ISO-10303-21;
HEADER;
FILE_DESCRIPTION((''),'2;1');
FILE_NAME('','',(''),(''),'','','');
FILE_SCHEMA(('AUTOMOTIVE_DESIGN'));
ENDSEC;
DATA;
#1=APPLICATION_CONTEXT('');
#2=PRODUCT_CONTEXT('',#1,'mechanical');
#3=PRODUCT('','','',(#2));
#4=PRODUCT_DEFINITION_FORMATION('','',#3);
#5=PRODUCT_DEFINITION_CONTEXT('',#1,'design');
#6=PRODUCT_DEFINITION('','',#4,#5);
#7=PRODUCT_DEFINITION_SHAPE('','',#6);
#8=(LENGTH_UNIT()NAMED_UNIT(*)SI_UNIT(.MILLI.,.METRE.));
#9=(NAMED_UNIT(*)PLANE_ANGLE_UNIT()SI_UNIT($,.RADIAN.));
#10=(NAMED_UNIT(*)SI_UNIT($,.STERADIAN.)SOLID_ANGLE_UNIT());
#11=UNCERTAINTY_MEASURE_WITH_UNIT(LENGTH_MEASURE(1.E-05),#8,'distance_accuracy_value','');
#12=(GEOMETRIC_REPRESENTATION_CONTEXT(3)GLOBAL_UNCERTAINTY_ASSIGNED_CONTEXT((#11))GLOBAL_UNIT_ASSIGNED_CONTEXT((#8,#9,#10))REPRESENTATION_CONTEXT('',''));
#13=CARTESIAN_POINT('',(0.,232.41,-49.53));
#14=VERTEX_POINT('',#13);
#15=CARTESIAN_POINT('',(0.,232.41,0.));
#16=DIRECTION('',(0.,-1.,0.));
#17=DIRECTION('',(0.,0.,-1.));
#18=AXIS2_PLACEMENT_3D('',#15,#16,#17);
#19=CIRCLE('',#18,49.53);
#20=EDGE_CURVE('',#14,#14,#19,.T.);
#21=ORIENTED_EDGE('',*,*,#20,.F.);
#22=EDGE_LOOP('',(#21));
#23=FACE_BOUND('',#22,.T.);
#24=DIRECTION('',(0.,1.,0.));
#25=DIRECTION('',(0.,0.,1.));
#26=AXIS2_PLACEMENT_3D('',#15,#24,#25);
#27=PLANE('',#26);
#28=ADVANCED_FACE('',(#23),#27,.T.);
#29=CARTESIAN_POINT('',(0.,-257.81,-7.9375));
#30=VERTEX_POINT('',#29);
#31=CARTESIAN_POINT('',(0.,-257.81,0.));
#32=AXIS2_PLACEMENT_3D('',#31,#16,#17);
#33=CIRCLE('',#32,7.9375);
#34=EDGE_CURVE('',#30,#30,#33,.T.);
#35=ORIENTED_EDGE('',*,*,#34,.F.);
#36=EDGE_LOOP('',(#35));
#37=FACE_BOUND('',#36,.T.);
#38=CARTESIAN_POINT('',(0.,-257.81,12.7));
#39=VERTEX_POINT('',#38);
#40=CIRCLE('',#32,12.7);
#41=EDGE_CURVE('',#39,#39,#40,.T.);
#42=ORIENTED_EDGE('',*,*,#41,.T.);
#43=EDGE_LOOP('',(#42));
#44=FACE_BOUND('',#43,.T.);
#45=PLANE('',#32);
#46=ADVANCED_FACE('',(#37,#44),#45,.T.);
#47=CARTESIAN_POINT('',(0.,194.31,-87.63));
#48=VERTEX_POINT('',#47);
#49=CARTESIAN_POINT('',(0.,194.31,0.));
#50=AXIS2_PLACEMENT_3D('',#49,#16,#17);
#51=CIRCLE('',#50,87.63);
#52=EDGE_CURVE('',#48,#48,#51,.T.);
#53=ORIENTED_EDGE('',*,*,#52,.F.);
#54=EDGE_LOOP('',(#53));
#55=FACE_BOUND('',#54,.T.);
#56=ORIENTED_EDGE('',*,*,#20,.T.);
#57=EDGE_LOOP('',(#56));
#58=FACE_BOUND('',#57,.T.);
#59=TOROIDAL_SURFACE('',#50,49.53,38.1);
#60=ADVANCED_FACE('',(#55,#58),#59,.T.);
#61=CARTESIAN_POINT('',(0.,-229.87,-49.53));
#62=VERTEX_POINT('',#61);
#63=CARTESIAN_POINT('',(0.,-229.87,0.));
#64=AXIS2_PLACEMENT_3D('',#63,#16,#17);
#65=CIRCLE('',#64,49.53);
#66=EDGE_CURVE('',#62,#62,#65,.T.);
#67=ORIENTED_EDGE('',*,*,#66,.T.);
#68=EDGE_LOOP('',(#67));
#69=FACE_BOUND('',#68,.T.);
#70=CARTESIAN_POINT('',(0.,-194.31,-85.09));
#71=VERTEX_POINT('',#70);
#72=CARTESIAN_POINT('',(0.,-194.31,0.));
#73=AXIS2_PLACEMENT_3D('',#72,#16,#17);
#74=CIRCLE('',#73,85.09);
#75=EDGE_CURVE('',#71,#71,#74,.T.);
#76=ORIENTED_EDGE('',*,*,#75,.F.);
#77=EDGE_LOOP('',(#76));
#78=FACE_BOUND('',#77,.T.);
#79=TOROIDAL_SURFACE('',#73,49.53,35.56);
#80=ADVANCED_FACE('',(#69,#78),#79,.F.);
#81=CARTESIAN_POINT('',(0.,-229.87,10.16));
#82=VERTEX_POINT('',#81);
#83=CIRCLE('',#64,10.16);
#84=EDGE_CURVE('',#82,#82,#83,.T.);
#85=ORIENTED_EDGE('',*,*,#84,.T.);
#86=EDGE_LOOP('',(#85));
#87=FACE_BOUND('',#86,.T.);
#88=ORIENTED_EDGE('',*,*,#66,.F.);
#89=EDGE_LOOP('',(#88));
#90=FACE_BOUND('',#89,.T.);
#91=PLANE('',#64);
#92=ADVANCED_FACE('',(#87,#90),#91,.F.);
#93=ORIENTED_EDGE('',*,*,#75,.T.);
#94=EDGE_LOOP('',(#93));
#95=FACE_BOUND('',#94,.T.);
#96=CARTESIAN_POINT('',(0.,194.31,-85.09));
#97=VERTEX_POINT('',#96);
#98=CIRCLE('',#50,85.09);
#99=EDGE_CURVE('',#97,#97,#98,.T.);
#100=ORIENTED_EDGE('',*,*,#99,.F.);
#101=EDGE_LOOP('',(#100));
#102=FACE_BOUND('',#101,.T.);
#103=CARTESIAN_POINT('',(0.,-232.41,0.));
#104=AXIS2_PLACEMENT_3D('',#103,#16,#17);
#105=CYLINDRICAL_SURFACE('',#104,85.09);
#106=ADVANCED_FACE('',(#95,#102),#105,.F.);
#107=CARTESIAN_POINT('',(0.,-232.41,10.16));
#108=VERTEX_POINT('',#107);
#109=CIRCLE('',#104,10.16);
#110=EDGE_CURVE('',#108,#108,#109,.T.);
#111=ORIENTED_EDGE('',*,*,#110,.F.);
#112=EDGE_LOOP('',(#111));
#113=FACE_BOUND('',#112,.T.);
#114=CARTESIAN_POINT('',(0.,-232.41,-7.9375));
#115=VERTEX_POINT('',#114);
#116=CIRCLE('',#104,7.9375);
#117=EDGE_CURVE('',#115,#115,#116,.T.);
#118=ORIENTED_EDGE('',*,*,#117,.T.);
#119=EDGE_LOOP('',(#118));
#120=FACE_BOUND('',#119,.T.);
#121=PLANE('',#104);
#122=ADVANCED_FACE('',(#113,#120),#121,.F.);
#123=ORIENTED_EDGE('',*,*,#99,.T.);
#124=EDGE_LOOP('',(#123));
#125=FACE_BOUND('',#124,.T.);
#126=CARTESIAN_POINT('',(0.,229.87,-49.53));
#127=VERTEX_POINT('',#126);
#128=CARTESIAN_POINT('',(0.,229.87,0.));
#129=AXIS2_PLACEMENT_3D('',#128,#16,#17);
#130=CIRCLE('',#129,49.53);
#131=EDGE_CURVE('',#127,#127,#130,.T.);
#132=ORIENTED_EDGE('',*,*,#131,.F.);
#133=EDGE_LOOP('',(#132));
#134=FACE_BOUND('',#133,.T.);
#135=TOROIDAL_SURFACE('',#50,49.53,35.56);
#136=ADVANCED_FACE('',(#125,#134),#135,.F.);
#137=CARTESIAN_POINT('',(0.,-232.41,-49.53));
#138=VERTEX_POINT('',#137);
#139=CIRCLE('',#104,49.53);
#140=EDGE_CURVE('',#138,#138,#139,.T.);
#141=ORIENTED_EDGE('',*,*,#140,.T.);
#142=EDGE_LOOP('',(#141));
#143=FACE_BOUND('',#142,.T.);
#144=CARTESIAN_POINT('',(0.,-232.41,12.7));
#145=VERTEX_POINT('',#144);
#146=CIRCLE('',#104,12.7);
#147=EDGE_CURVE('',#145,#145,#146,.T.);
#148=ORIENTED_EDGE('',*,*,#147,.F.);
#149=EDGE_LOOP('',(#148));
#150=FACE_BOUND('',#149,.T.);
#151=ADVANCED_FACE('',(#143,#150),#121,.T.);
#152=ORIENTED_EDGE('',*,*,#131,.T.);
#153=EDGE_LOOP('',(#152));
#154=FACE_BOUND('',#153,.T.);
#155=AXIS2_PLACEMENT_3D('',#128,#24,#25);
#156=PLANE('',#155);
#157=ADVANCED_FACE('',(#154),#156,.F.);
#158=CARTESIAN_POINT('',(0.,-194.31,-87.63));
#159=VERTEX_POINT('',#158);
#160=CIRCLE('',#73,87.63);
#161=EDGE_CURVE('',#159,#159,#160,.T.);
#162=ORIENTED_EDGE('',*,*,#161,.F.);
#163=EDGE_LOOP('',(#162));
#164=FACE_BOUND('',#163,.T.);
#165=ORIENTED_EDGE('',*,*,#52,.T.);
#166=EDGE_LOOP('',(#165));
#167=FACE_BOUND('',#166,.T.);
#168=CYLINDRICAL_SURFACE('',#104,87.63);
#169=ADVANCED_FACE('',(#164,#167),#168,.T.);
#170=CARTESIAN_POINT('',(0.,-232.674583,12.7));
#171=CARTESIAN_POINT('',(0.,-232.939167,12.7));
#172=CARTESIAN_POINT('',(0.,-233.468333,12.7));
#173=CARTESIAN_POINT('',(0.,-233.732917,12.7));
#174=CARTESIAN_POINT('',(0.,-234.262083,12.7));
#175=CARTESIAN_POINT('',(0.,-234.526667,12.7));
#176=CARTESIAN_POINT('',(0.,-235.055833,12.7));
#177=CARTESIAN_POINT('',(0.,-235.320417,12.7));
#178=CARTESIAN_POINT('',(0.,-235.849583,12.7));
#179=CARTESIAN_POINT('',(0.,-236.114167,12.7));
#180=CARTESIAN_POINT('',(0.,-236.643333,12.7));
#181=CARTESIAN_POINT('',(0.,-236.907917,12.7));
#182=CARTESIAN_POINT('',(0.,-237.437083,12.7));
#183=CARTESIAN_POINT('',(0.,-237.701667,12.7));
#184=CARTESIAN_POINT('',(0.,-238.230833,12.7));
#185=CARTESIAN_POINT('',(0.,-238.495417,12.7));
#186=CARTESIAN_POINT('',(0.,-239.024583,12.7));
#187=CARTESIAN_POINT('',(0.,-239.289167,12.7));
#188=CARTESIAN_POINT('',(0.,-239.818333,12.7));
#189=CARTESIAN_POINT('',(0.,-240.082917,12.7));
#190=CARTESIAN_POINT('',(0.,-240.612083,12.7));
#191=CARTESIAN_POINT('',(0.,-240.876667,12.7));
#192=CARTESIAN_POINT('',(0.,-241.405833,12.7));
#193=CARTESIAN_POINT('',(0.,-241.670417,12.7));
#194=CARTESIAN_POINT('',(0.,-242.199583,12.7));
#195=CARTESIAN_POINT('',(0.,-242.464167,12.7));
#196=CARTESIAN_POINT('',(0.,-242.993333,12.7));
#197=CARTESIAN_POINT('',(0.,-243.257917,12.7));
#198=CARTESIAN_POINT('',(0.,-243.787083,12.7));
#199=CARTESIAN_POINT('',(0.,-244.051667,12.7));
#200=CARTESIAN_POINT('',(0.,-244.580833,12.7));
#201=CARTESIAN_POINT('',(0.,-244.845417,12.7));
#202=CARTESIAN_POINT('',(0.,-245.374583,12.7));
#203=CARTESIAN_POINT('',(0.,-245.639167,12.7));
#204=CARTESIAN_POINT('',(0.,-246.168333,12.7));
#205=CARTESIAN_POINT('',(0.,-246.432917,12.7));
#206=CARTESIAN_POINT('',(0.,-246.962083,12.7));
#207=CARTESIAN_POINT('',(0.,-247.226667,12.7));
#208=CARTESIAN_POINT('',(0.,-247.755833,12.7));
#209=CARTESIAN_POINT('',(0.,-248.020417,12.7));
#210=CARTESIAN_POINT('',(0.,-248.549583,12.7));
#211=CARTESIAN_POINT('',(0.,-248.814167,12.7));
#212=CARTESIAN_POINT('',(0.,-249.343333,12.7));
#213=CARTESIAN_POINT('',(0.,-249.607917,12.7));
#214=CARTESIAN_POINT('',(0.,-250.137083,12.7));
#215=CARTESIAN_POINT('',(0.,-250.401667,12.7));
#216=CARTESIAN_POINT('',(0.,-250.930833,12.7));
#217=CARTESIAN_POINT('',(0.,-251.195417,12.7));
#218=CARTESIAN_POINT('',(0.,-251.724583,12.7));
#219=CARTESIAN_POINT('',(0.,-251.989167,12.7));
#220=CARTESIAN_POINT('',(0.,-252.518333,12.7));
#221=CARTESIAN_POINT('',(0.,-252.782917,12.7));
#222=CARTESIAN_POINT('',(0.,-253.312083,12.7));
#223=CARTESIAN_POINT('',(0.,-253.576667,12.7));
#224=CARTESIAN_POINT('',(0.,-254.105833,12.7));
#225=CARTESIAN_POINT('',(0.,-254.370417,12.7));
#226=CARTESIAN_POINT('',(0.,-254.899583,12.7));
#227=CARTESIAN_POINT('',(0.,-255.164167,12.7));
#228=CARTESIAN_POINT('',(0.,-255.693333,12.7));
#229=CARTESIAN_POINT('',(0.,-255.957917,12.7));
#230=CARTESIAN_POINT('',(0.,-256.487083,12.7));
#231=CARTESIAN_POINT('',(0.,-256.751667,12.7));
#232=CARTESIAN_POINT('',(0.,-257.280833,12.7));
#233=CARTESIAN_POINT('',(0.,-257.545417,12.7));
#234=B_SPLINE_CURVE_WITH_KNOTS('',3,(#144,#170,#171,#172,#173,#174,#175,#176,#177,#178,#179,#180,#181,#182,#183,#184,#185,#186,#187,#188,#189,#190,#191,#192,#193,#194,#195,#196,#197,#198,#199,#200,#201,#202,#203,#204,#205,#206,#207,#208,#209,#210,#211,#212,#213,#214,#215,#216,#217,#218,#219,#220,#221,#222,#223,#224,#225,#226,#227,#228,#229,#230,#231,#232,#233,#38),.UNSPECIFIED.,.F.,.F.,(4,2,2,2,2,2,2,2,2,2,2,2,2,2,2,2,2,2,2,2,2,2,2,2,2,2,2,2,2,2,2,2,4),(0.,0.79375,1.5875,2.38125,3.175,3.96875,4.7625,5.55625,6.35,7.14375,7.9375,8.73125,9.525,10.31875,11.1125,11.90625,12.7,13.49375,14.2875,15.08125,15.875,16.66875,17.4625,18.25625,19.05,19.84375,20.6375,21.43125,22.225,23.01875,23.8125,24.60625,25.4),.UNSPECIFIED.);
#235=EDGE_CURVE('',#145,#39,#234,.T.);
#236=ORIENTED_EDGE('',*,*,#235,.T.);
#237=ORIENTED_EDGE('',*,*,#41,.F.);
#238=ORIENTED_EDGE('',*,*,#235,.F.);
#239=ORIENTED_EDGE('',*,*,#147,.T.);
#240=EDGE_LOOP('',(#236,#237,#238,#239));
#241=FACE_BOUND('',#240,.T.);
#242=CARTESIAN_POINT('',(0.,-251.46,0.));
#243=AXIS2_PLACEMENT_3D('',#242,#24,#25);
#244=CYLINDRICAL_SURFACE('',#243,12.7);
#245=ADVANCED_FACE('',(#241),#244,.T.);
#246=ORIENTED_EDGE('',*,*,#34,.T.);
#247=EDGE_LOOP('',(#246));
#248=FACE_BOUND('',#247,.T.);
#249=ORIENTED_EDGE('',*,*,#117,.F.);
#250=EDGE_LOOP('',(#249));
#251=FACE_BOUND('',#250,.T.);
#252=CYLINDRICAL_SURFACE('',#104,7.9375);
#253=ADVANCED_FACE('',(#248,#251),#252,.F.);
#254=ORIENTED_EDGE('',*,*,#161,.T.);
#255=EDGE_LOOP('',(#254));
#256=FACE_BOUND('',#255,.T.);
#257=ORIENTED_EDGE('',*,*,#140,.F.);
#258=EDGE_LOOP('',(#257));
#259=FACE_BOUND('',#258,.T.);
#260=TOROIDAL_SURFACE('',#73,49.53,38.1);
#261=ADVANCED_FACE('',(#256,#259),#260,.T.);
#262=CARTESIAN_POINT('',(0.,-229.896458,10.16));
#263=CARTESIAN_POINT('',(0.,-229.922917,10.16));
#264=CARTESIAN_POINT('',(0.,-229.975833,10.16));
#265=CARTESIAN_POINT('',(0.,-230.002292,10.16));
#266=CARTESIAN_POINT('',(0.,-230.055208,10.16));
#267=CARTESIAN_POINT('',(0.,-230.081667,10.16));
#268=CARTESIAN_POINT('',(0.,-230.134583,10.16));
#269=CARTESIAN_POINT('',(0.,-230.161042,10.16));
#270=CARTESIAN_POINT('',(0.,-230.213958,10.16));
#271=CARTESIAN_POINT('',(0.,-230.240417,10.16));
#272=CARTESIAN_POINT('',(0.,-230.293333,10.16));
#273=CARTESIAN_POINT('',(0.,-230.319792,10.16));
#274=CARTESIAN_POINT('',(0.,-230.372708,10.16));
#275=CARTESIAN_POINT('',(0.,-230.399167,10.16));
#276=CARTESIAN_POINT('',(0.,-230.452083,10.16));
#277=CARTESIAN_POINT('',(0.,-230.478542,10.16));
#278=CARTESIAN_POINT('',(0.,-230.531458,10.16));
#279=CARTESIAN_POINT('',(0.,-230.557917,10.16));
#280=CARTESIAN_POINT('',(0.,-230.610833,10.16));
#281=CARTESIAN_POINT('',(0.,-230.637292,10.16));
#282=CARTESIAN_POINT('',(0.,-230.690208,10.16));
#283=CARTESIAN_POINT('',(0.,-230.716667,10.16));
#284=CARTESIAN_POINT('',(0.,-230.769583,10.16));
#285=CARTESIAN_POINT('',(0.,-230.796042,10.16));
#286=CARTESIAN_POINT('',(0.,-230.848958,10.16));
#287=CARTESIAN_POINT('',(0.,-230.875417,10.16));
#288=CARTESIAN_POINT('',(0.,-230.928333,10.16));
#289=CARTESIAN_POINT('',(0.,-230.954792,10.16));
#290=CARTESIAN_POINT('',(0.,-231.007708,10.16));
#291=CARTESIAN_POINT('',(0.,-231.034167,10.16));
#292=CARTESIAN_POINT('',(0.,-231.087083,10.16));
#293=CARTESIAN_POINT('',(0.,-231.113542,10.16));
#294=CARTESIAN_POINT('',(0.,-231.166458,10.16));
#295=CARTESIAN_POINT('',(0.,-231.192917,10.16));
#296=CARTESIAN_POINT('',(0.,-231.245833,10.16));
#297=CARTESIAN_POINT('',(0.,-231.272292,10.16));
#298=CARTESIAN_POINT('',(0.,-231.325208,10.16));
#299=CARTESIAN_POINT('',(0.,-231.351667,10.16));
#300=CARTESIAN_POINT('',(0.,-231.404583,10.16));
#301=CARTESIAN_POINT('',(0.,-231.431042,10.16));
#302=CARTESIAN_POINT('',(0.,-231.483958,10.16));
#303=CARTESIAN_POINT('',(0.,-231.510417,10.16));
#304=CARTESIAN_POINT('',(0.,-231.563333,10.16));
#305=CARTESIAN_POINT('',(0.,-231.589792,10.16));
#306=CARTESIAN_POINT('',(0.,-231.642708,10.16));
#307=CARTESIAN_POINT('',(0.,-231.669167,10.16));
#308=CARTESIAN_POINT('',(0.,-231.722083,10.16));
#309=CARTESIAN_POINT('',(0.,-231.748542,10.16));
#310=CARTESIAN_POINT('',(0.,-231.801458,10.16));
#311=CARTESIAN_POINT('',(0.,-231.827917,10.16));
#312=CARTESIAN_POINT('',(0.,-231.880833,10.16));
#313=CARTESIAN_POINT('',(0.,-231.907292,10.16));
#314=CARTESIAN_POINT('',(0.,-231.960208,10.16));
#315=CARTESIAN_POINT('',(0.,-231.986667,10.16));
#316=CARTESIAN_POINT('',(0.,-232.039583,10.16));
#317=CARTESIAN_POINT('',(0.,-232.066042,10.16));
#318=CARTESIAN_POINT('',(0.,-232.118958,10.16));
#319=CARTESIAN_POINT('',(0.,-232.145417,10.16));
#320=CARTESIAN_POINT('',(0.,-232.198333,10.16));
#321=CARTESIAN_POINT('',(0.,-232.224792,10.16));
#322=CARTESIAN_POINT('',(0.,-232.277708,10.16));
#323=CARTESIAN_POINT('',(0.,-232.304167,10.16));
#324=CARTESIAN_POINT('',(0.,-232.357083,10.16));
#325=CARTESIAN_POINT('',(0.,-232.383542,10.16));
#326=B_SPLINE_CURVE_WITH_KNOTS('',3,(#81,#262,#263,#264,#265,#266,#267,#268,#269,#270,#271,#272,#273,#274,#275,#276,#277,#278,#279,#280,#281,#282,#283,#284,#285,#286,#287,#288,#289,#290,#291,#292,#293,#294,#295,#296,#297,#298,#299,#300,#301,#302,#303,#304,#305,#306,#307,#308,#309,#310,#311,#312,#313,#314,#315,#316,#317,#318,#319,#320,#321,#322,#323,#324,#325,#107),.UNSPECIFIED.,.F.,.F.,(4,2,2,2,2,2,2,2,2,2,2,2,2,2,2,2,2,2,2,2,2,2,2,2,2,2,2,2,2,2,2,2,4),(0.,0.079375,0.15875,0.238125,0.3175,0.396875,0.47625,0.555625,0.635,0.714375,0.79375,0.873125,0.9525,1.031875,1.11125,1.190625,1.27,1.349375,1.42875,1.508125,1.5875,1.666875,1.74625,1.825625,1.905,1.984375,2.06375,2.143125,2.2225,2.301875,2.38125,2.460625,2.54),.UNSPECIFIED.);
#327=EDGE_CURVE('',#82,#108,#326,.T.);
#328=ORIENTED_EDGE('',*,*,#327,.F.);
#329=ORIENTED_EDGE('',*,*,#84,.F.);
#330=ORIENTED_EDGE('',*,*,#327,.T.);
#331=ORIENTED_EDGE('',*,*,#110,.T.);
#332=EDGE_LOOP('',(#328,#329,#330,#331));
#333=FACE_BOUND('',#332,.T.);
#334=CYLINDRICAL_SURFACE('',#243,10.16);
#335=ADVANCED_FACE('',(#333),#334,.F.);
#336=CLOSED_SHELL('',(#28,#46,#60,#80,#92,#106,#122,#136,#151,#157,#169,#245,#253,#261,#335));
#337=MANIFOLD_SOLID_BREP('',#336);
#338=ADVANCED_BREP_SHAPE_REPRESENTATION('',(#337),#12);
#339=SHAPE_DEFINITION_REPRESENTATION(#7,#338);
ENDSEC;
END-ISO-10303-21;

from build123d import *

# Parameters (mm, degrees)
SKETCH3_R           = 12.7
BOSS_EXTRUDE1_DEPTH = 19.05
SHELL1_T            = -2.54
BOSS_EXTRUDE2_START = 6.35
SKETCH6_R           = 12.7
BOSS_EXTRUDE2_DEPTH = 25.4
SKETCH7_R           = 7.9375
CUT_EXTRUDE3_DEPTH  = 25.4


with BuildPart() as part:
    # Sketch2 → Revolve1 (revolve)
    with BuildSketch(Plane.XY, mode=Mode.PRIVATE) as revolve1_sk:
        with BuildLine():
            Line((0, -232.41), (49.53, -232.41))
            ThreePointArc((49.53, -232.41), (76.470768363, -221.250768363), (87.63, -194.31))
            Line((87.63, -194.31), (87.63, -156.21))
            Line((87.63, -156.21), (87.63, 156.21))
            Line((87.63, 156.21), (87.63, 194.31))
            ThreePointArc((87.63, 194.31), (76.470768363, 221.250768363), (49.53, 232.41))
            Line((49.53, 232.41), (0, 232.41))
            Line((0, 232.41), (0, -232.41))
        make_face()
    revolve(revolve1_sk.sketch.rotate(Axis((0, -232.41, 0), (0, 1, 0)), 90), axis=Axis((0, -232.41, 0), (0, 1, 0)))

    # Sketch3 → Boss-Extrude1 (add)
    with BuildSketch(Plane(origin=(0, -232.41, 0), x_dir=(-1, 0, 0), z_dir=(0, -1, 0))):
        with Locations(Location((0, 0, 0), (0, 0, 270))):
            Circle(SKETCH3_R)
    extrude(amount=BOSS_EXTRUDE1_DEPTH)

    # Shell1
    shell1_openings = [part.faces().sort_by_distance(p)[0] for p in [
        (0, -251.46, 0),
    ]]
    offset(amount=SHELL1_T, openings=shell1_openings, kind=Kind.INTERSECTION)

    # Sketch6 → Boss-Extrude2 (add)
    with BuildSketch(Plane(origin=(0, -251.46, 0), x_dir=(-1, 0, 0), z_dir=(0, -1, 0)).offset(BOSS_EXTRUDE2_START)):
        with Locations(Location((0, 0, 0), (0, 0, 270))):
            Circle(SKETCH6_R)
    extrude(amount=-BOSS_EXTRUDE2_DEPTH)

    # Sketch7 → Cut-Extrude3 (cut)
    with BuildSketch(Plane.XZ.offset(257.81)):
        with Locations(Location((0, 0, 0), (0, 0, 270))):
            Circle(SKETCH7_R)
    extrude(amount=-CUT_EXTRUDE3_DEPTH, mode=Mode.SUBTRACT)


solid = part.part
